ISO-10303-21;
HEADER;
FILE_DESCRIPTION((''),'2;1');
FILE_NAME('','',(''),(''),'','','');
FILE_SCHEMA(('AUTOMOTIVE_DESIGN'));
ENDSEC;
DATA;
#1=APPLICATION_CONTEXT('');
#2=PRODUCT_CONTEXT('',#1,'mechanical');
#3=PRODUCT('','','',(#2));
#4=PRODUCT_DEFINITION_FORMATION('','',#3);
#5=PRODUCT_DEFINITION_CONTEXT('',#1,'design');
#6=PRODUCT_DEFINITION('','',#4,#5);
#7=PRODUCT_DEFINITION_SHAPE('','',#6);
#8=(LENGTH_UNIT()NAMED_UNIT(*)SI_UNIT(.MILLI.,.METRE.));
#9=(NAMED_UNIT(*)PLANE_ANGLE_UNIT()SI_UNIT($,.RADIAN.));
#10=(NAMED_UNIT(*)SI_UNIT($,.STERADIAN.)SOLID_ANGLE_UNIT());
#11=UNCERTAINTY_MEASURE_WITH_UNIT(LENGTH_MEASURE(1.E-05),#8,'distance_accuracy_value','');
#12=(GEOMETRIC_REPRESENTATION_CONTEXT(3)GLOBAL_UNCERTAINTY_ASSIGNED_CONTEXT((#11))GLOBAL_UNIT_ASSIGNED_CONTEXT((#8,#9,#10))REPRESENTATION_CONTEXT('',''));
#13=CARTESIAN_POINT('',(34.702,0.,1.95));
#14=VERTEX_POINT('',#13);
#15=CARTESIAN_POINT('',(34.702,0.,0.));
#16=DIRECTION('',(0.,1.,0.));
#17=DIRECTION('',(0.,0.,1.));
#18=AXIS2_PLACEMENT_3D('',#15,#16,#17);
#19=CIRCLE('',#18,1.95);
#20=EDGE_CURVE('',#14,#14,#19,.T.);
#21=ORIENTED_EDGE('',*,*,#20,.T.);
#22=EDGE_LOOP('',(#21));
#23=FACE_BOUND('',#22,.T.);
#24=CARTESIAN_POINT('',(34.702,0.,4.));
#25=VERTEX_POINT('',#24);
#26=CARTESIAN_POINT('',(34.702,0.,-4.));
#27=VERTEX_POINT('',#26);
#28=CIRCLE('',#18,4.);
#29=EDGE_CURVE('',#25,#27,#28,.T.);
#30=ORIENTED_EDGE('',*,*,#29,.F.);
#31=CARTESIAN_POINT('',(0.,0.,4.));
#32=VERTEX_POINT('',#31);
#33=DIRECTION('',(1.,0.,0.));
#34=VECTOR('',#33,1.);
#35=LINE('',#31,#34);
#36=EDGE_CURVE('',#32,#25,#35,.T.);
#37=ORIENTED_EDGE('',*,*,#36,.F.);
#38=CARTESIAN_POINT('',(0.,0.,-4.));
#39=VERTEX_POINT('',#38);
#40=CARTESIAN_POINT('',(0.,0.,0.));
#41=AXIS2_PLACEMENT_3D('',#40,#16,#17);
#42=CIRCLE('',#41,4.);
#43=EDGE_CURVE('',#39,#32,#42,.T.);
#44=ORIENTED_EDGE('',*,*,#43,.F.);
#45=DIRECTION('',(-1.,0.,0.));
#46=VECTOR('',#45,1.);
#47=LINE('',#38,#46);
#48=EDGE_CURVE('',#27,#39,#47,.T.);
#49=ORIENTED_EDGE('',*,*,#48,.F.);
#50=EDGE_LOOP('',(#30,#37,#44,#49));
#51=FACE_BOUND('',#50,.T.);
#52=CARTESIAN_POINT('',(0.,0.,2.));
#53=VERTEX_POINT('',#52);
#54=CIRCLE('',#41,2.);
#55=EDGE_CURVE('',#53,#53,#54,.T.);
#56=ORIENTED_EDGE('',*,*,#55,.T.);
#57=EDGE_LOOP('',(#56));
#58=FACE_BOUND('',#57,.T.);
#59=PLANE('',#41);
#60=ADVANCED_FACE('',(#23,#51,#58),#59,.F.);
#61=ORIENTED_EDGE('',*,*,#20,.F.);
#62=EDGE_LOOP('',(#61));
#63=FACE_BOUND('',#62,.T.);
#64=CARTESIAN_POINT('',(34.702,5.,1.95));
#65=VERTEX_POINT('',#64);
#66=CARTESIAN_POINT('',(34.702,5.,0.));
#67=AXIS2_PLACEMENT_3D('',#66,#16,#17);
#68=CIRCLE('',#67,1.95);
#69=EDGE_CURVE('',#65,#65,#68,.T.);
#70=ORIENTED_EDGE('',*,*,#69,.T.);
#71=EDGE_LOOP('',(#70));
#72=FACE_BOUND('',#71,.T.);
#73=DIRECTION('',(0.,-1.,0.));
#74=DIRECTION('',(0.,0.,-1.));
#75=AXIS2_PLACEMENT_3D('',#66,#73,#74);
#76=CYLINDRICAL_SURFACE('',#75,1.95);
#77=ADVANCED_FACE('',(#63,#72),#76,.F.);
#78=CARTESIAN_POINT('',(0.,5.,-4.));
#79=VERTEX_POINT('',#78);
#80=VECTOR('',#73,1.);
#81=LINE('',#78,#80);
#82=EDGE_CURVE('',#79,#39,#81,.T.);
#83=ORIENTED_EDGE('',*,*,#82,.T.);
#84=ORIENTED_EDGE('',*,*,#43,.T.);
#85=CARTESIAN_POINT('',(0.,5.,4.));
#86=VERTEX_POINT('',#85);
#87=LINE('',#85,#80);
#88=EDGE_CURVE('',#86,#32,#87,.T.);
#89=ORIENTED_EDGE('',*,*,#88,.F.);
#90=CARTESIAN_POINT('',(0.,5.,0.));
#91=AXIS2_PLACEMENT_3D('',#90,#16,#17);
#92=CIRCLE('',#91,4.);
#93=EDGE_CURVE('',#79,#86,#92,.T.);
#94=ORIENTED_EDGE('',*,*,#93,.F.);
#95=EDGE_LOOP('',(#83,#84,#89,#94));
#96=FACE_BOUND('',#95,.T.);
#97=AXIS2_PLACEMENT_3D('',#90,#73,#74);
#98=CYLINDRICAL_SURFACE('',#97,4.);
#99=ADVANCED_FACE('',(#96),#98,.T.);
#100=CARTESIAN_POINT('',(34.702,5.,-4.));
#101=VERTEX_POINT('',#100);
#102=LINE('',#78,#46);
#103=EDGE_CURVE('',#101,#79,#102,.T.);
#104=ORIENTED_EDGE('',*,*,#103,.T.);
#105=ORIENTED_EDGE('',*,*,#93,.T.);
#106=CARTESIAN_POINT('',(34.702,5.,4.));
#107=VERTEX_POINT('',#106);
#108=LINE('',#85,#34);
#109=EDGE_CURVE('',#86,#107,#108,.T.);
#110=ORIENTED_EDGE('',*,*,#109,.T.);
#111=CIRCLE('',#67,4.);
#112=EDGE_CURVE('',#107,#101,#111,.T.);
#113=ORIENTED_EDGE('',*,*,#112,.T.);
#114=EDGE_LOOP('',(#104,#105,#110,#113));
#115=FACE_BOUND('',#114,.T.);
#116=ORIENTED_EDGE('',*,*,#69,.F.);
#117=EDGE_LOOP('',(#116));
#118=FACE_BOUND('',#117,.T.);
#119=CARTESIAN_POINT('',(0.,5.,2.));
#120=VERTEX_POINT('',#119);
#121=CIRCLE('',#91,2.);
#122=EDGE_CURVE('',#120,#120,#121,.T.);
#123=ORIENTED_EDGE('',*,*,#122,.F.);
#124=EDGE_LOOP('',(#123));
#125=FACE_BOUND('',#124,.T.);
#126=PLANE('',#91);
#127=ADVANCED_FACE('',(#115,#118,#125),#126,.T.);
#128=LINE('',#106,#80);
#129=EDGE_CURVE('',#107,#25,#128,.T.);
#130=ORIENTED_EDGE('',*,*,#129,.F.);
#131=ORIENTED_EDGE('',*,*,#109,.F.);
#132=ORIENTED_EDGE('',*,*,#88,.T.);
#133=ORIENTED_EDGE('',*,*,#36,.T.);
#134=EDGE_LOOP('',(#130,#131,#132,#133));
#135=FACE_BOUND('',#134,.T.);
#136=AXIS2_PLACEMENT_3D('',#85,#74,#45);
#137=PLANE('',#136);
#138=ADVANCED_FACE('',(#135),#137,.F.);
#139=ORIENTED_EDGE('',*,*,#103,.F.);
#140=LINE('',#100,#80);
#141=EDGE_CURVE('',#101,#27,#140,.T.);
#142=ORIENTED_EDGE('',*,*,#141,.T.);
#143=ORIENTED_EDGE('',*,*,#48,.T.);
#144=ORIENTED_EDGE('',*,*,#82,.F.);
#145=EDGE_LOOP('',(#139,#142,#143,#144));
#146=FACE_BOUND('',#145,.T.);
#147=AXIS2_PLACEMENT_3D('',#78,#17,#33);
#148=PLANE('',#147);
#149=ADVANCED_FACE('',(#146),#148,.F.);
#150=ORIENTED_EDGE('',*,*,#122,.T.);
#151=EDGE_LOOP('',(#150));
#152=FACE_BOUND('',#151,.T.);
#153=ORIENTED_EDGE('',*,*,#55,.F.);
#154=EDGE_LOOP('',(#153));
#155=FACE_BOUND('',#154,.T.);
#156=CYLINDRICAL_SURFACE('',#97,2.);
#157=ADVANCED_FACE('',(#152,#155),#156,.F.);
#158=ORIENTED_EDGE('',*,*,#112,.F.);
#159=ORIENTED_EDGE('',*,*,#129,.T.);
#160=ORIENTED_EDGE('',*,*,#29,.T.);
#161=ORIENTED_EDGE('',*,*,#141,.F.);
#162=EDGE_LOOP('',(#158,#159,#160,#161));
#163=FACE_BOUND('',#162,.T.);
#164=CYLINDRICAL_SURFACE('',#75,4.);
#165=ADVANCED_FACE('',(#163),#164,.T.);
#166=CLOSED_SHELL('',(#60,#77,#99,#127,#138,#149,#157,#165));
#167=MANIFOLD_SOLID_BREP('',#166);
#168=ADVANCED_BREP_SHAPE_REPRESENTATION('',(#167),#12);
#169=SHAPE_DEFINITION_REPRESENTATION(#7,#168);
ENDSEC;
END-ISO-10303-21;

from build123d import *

# Parameters (mm, degrees)
SKETCH_1_R      = 2
SKETCH_1_R_2    = 1.95
EXTRUDE_1_DEPTH = 5


with BuildPart() as part:
    # 草图1 → 凸台-拉伸1 (new body)
    with BuildSketch(Plane(origin=(0, 0, 0), x_dir=(1, 0, 0), z_dir=(0, 1, 0))):
        with BuildLine():
            Line((0, 4), (34.702, 4))
            ThreePointArc((34.702, 4), (38.702, 0), (34.702, -4))
            Line((34.702, -4), (0, -4))
            ThreePointArc((0, -4), (-4, 0), (0, 4))
        make_face()
        Circle(SKETCH_1_R, mode=Mode.SUBTRACT)
        with Locations((34.702, 0)):
            Circle(SKETCH_1_R_2, mode=Mode.SUBTRACT)
    extrude(amount=EXTRUDE_1_DEPTH)


solid = part.part
